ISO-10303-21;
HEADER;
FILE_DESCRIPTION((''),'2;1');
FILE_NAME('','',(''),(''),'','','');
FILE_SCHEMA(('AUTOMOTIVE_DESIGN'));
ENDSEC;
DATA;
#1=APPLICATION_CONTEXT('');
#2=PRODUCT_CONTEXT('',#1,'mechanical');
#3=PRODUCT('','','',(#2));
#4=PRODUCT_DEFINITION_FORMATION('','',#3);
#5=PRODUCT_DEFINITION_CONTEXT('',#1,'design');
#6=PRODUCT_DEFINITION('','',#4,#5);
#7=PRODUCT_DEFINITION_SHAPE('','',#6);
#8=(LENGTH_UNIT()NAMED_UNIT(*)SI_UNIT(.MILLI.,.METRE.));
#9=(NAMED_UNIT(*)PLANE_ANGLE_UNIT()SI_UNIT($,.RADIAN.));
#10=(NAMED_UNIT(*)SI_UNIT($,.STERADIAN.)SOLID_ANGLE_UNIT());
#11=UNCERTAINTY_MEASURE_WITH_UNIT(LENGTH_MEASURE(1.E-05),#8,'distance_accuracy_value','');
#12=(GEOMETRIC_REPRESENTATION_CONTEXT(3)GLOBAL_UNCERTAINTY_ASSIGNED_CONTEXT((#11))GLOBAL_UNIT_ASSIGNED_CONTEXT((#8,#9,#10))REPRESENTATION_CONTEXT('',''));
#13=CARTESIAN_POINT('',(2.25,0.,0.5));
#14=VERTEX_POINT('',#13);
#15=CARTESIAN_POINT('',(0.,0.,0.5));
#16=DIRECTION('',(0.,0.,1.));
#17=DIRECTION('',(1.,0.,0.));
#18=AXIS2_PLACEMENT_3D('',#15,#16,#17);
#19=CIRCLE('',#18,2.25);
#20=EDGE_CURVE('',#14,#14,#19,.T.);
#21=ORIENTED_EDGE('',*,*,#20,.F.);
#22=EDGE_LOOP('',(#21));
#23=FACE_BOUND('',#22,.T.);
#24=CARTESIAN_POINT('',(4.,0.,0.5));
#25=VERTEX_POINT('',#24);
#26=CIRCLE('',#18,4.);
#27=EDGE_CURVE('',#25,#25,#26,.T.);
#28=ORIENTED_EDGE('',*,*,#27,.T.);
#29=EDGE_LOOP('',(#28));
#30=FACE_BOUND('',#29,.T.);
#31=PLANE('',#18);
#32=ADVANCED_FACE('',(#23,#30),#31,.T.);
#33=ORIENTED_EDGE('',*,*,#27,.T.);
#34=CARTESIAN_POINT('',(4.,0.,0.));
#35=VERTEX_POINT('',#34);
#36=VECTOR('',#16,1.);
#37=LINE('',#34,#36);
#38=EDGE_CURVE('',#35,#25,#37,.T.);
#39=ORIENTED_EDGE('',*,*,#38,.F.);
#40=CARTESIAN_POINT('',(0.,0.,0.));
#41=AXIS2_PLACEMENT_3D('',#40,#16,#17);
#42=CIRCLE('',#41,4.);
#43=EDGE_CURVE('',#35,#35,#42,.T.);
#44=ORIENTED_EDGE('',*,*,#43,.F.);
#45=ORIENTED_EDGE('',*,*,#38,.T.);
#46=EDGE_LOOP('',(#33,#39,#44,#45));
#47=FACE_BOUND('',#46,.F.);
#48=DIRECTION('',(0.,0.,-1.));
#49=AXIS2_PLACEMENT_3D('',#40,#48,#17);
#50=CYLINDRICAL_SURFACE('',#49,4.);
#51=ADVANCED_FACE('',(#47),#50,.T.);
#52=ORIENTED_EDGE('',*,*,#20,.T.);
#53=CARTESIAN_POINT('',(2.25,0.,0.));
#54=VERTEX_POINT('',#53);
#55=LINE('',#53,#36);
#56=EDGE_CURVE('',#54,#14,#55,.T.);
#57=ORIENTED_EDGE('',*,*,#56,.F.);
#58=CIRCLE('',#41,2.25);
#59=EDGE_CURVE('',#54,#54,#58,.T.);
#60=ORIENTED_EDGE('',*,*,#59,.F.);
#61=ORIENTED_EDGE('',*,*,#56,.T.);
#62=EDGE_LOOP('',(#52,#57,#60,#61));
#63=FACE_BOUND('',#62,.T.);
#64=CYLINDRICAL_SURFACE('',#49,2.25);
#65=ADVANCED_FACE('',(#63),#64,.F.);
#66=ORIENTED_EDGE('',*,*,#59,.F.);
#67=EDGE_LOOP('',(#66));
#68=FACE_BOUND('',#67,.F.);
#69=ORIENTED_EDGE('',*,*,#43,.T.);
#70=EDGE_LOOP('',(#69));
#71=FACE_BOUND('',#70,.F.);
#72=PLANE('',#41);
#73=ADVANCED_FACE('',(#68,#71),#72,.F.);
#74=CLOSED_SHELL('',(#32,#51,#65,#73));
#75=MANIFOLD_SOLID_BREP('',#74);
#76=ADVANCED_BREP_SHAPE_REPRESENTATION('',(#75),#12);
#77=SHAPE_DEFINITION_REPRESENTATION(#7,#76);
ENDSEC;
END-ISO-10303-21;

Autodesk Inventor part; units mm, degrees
ref_plane "YZ Plane" through (0, 0, 0) normal (1, 0, 0) x (0, 1, 0)
ref_plane "XZ Plane" through (0, 0, 0) normal (0, 1, 0) x (-1, 0, 0)
ref_plane "XY Plane" through (0, 0, 0) normal (0, 0, 1) x (1, 0, 0)
sketch "スケッチ1" plane through (0, 0, 0) normal (0, 0, 1) x (1, 0, 0)
  circle A0 centre (0, 0) radius 4
  circle A1 centre (0, 0) radius 2.25
  dimension "d0" = 4.5
  dimension "d1" = 8
extrude "押し出し1" add sketch "スケッチ1" along normal blind 0.5
properties part number "02" material "ステンレス鋼、440C"
